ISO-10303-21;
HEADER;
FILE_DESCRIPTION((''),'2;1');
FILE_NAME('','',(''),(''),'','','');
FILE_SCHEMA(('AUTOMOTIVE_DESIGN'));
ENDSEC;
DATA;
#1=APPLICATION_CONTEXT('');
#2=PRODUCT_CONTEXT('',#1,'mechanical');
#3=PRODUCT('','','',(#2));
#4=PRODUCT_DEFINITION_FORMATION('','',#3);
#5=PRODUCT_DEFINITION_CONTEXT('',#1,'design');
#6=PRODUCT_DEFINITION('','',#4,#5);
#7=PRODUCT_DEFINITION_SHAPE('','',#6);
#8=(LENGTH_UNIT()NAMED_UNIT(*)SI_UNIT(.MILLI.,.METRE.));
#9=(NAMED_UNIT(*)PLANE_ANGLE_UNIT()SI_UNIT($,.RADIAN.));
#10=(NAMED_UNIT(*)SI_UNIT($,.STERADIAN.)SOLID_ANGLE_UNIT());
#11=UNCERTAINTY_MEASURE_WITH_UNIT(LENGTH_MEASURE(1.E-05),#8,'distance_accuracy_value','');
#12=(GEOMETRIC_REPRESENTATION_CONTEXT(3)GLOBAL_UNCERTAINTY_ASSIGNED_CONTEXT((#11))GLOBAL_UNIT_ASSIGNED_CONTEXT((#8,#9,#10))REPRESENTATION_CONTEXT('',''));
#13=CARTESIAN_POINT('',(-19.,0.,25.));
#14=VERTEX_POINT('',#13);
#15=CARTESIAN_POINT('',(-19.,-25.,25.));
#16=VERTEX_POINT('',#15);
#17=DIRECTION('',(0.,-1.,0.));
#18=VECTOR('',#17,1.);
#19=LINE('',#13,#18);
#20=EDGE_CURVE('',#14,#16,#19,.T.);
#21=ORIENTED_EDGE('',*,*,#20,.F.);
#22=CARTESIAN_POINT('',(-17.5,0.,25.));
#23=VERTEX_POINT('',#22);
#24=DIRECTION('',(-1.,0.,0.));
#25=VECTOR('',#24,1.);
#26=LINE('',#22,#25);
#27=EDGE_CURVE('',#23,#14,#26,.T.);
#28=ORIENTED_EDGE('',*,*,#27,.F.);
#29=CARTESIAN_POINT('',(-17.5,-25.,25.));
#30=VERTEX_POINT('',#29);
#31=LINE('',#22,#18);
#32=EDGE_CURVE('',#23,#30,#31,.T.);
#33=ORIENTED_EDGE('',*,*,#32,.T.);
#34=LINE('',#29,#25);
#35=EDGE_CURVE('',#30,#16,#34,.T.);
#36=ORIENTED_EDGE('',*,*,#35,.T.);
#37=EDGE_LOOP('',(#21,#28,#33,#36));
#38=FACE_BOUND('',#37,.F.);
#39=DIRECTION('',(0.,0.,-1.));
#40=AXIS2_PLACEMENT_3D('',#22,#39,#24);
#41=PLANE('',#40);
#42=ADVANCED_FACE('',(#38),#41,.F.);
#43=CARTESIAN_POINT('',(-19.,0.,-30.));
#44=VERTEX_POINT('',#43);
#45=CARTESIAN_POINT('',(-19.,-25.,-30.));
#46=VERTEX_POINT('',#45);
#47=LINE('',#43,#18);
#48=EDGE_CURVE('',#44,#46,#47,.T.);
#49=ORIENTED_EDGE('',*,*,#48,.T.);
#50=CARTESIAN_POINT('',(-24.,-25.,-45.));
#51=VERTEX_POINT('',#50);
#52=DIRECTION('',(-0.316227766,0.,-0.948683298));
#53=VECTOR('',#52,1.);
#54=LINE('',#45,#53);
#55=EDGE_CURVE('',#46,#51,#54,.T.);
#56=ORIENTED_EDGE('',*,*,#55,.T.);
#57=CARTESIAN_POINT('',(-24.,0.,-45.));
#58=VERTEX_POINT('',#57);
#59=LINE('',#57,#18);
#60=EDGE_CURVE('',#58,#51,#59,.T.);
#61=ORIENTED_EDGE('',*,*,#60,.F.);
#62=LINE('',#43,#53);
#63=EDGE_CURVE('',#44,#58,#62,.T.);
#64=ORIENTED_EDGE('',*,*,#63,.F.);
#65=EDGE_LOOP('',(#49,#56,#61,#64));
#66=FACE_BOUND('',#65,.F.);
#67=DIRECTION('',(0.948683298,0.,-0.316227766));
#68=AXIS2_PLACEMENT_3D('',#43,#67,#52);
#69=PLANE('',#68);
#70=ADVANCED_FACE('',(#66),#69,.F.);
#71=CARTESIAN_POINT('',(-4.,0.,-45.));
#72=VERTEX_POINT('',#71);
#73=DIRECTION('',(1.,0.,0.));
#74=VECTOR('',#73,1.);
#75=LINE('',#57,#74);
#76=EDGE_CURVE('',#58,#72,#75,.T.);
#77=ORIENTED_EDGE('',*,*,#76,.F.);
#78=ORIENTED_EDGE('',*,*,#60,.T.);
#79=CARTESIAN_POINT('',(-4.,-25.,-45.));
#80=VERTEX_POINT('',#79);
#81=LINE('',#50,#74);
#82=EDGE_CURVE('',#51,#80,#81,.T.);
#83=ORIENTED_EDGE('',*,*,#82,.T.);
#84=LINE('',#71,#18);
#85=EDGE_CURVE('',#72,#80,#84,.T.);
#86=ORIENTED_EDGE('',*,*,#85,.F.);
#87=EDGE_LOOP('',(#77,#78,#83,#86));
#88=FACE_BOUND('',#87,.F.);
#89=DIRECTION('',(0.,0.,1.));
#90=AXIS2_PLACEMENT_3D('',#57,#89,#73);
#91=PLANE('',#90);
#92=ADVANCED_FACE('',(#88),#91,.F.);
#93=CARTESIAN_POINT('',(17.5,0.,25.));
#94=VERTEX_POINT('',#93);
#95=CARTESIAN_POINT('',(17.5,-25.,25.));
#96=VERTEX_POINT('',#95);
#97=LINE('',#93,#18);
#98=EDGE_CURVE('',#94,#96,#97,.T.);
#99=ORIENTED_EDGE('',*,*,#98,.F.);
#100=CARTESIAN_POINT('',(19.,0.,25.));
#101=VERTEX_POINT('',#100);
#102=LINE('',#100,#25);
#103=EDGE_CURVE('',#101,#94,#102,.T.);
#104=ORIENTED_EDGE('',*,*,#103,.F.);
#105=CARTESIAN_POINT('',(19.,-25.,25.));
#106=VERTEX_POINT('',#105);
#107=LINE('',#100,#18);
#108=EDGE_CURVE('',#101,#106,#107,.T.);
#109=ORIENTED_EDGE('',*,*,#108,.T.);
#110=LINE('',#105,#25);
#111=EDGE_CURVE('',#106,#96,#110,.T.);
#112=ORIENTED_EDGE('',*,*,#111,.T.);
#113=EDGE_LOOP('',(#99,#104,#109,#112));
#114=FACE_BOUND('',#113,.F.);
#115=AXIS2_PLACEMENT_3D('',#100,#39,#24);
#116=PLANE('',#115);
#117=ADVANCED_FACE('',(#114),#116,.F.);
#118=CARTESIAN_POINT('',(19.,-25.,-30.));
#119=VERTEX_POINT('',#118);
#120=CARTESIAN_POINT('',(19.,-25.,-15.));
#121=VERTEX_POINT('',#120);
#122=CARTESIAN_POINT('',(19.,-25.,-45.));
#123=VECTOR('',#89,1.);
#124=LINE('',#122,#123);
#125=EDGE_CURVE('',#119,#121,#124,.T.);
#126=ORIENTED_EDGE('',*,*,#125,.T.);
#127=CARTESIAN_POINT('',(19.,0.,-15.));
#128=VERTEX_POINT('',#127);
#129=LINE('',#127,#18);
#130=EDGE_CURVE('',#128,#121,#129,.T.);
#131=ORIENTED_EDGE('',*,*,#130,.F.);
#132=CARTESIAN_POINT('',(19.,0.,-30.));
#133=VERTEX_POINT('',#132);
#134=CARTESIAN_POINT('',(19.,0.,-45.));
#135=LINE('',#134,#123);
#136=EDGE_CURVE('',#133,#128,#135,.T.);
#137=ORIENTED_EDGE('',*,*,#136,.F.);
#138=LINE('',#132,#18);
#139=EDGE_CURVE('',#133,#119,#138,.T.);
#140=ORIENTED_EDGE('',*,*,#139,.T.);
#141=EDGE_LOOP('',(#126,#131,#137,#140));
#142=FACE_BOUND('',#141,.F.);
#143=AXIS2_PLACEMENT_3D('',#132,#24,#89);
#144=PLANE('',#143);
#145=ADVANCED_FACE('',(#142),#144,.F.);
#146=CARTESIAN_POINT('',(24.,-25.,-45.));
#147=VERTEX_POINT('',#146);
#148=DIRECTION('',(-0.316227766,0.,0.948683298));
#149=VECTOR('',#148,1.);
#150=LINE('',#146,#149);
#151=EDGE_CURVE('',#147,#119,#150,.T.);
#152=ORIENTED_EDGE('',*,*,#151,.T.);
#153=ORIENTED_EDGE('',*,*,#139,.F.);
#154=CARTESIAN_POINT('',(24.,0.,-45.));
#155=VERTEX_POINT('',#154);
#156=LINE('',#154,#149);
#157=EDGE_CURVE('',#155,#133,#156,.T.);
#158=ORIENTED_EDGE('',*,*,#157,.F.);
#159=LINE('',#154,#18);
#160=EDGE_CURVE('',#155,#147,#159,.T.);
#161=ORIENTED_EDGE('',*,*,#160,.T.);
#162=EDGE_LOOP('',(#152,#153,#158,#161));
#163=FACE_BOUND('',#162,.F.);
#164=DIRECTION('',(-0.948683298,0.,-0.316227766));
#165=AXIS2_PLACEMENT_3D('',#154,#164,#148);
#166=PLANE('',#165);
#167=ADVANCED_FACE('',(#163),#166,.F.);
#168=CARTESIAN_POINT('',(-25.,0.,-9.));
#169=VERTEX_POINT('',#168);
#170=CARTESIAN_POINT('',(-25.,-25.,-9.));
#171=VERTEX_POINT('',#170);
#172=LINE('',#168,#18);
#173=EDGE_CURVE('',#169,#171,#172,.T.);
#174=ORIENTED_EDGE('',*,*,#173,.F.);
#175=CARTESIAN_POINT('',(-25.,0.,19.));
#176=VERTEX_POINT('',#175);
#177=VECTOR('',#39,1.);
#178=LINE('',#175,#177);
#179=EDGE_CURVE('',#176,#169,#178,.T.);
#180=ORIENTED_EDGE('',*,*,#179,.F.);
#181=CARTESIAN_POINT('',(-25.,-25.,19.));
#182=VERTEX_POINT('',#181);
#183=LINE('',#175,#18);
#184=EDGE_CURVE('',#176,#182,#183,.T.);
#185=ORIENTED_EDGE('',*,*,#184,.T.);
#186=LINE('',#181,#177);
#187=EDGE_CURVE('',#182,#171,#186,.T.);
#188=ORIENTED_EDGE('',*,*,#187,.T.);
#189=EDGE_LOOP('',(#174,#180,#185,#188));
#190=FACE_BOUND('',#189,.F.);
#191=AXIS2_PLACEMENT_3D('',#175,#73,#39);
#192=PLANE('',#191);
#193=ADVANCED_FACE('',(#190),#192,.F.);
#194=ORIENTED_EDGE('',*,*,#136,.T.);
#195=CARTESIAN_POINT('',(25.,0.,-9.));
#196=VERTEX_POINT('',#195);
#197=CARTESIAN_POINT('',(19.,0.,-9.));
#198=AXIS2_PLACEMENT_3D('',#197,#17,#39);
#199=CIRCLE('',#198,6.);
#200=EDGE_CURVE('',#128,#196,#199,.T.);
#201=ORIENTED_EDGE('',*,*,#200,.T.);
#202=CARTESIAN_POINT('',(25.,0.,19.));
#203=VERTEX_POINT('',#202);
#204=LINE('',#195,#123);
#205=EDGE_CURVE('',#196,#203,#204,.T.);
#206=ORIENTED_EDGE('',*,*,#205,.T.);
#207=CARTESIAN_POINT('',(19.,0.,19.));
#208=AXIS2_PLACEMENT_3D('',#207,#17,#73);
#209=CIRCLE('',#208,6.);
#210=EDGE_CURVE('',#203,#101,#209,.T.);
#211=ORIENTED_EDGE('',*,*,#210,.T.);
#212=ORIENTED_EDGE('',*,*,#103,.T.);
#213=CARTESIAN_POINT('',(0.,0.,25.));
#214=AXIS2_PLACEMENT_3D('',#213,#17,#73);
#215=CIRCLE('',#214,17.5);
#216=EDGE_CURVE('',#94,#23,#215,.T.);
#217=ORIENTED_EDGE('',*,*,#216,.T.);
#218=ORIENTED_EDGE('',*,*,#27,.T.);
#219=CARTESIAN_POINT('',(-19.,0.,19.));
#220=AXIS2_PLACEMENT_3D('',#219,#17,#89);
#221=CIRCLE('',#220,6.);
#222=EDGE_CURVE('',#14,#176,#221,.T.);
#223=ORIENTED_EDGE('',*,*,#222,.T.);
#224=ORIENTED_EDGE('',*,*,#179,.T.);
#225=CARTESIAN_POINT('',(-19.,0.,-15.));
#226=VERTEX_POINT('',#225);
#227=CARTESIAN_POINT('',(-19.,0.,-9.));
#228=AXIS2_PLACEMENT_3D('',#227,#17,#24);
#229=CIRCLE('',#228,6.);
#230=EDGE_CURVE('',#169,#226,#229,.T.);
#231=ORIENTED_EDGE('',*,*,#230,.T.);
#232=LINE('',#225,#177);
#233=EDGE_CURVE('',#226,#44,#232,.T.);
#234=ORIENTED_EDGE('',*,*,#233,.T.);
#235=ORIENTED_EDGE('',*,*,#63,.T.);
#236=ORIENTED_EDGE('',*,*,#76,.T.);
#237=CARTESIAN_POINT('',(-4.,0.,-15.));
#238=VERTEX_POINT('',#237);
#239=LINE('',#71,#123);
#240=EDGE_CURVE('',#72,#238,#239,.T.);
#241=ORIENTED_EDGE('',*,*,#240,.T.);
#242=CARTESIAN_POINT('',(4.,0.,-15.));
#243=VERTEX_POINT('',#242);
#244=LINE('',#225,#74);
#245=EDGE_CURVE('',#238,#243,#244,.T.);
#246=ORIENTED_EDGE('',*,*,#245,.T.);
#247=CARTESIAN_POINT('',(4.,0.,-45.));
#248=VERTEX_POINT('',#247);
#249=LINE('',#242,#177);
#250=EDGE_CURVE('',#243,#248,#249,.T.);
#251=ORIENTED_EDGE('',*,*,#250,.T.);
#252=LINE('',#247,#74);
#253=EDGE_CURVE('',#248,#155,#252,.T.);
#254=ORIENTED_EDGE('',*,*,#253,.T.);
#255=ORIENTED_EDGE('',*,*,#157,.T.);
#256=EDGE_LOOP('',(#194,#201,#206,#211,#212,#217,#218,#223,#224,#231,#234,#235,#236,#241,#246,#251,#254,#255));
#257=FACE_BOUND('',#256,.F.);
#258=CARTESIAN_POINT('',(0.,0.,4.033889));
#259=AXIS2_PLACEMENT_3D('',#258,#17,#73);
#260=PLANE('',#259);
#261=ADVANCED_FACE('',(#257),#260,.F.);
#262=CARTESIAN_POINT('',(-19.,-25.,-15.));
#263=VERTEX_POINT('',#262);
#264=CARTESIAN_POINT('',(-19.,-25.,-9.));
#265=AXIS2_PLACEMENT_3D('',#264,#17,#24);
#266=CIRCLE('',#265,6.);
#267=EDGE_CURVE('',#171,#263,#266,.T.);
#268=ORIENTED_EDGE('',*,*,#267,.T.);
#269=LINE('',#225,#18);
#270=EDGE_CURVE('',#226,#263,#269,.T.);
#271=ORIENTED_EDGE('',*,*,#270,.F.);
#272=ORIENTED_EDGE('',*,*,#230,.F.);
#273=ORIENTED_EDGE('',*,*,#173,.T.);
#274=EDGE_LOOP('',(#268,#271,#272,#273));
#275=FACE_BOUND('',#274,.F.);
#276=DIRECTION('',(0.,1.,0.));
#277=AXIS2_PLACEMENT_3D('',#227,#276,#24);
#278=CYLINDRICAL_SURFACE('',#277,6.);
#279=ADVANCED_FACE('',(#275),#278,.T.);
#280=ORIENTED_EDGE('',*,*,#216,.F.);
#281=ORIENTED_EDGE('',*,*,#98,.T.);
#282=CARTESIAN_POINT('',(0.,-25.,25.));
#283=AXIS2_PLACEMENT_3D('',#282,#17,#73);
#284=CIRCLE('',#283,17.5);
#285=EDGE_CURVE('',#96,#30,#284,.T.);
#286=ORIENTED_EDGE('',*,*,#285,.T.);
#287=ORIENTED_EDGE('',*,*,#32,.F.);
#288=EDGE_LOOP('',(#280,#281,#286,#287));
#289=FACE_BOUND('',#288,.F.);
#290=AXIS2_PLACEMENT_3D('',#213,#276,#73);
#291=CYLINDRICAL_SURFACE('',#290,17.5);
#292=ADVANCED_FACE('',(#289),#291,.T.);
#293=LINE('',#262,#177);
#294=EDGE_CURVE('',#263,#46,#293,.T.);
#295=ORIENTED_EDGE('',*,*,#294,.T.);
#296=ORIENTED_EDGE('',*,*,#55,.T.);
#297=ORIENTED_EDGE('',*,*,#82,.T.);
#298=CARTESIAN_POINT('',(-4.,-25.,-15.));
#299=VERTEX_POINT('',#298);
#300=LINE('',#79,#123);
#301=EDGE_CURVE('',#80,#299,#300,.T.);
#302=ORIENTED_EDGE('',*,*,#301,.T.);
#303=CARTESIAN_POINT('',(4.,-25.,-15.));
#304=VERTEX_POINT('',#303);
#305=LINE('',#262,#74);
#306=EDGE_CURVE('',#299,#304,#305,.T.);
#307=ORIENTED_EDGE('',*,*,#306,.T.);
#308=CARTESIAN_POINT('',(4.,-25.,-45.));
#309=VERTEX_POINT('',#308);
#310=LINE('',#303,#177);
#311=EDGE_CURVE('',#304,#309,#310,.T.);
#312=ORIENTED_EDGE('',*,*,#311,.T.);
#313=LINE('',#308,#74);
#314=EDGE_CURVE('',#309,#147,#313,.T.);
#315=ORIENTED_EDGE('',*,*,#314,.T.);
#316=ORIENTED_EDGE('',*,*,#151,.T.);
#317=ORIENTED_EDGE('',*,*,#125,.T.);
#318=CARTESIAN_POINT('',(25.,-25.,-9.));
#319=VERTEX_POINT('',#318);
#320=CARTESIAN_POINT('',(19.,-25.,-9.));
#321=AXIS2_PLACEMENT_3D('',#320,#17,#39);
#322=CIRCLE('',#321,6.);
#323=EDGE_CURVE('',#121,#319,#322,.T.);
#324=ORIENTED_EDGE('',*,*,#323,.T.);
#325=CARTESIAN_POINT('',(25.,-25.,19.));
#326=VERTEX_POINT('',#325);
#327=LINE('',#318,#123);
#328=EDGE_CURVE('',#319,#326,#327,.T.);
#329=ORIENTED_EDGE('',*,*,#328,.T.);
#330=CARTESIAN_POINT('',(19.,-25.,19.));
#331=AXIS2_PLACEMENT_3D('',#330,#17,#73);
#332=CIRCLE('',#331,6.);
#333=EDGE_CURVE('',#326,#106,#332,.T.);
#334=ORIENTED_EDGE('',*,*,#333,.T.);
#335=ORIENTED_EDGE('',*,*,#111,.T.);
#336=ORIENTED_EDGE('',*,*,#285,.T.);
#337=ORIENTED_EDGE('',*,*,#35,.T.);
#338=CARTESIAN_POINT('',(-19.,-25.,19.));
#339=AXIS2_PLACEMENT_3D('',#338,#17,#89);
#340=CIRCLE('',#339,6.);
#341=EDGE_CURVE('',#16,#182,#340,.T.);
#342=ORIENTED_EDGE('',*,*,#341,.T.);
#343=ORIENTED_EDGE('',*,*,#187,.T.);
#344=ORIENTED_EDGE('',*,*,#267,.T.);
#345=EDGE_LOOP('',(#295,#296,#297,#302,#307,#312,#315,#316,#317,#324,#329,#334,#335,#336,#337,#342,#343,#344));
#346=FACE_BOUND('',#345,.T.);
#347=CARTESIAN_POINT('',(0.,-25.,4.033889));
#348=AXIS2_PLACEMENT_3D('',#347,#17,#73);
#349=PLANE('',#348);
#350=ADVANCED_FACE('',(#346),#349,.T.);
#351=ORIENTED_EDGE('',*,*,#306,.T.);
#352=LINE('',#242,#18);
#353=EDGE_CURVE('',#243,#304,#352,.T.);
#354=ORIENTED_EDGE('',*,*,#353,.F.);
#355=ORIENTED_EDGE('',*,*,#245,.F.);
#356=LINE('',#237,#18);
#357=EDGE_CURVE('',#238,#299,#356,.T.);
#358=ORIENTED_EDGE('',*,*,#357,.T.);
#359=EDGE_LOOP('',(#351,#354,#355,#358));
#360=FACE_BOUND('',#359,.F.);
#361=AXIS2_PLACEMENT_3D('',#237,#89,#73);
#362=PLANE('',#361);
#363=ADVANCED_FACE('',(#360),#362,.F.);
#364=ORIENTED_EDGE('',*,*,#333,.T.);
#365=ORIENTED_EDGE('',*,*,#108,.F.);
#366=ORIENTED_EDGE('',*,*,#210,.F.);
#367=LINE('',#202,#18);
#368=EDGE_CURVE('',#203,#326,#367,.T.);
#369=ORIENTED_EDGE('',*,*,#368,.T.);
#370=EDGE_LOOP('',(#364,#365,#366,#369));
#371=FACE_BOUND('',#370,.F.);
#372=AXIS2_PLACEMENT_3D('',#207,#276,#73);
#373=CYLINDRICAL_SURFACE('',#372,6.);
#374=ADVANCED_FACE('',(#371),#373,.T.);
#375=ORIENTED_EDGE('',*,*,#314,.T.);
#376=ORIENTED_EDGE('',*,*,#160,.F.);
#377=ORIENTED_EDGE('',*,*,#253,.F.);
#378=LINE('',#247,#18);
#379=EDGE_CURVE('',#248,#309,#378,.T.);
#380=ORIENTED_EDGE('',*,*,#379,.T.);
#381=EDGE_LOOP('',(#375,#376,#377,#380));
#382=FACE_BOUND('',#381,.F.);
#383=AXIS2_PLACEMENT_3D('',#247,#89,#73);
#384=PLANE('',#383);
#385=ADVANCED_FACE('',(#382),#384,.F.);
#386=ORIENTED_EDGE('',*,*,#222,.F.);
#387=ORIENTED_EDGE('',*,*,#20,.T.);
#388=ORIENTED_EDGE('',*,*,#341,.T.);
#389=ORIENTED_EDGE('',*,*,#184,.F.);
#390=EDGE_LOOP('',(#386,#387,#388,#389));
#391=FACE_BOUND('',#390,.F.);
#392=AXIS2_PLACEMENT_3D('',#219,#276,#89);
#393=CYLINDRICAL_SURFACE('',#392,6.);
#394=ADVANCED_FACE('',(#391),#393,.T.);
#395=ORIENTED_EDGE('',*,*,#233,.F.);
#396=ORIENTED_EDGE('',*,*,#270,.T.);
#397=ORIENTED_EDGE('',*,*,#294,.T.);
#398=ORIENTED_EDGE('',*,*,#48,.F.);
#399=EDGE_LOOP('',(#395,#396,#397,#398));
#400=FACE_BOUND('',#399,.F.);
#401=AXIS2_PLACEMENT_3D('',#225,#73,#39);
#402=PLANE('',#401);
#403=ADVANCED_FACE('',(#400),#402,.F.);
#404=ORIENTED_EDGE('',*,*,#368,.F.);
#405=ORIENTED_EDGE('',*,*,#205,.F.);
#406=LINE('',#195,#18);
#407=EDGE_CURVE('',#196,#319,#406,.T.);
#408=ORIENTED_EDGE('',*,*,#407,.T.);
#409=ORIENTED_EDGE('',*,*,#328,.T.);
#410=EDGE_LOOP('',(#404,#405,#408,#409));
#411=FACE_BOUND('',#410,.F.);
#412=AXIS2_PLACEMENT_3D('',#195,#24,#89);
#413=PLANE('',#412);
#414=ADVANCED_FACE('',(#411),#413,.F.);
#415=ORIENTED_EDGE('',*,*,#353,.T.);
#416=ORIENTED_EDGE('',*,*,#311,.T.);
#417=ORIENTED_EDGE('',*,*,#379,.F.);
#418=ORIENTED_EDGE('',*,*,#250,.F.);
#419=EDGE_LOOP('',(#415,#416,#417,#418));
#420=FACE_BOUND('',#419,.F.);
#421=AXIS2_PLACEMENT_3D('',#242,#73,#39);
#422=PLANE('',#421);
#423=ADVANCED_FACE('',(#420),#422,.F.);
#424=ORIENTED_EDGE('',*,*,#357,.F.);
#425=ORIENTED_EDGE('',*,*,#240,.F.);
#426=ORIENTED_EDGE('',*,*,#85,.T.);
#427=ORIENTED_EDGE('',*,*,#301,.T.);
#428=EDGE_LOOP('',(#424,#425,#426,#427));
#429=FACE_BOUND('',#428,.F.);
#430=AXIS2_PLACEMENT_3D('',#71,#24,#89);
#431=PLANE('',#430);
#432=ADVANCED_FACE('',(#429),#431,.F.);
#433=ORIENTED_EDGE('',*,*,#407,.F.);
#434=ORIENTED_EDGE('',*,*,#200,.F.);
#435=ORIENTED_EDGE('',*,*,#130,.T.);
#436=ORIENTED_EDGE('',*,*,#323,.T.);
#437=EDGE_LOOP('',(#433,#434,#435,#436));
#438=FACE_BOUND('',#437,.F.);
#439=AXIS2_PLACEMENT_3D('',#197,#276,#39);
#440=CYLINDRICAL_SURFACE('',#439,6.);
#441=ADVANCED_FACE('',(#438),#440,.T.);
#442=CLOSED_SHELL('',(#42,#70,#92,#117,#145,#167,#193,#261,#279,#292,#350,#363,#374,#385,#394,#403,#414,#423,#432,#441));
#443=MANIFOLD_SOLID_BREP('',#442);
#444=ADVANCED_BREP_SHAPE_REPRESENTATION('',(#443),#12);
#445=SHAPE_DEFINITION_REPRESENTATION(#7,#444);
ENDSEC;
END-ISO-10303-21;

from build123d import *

# Parameters (mm, degrees)
F1_DEPTH = 25


with BuildPart() as f1:
    # F0 (on Front) → F1 (new body)
    with BuildSketch(Plane.XZ):
        with BuildLine():
            ThreePointArc((-25, -9), (-23.2426406871, -13.2426406871), (-19, -15))
            Line((-19, -15), (-4, -15))
            Line((-4, -15), (4, -15))
            Line((4, -15), (19, -15))
            ThreePointArc((19, -15), (23.2426406871, -13.2426406871), (25, -9))
            Line((25, -9), (25, 19))
            ThreePointArc((25, 19), (23.2426406871, 23.2426406871), (19, 25))
            Line((19, 25), (17.5, 25))
            ThreePointArc((17.5, 25), (0, 7.5), (-17.5, 25))
            Line((-17.5, 25), (-19, 25))
            ThreePointArc((-19, 25), (-23.2426406871, 23.2426406871), (-25, 19))
            Line((-25, 19), (-25, -9))
        make_face()
        Polygon((-4, -15), (-19, -15), (-19, -30), (-19, -45), (-4, -45), align=None)
        Polygon((-19, -45), (-19, -30), (-24, -45), align=None)
        Polygon((19, -15), (4, -15), (4, -45), (19, -45), (19, -30), align=None)
        Polygon((24, -45), (19, -30), (19, -45), align=None)
        with BuildLine():
            ThreePointArc((17.5, 25), (0, 42.5), (-17.5, 25))
            Line((-17.5, 25), (17.5, 25))
        make_face()
        with BuildLine():
            Line((17.5, 25), (-17.5, 25))
            ThreePointArc((-17.5, 25), (0, 7.5), (17.5, 25))
        make_face()
    extrude(amount=F1_DEPTH)


solid = f1.part
